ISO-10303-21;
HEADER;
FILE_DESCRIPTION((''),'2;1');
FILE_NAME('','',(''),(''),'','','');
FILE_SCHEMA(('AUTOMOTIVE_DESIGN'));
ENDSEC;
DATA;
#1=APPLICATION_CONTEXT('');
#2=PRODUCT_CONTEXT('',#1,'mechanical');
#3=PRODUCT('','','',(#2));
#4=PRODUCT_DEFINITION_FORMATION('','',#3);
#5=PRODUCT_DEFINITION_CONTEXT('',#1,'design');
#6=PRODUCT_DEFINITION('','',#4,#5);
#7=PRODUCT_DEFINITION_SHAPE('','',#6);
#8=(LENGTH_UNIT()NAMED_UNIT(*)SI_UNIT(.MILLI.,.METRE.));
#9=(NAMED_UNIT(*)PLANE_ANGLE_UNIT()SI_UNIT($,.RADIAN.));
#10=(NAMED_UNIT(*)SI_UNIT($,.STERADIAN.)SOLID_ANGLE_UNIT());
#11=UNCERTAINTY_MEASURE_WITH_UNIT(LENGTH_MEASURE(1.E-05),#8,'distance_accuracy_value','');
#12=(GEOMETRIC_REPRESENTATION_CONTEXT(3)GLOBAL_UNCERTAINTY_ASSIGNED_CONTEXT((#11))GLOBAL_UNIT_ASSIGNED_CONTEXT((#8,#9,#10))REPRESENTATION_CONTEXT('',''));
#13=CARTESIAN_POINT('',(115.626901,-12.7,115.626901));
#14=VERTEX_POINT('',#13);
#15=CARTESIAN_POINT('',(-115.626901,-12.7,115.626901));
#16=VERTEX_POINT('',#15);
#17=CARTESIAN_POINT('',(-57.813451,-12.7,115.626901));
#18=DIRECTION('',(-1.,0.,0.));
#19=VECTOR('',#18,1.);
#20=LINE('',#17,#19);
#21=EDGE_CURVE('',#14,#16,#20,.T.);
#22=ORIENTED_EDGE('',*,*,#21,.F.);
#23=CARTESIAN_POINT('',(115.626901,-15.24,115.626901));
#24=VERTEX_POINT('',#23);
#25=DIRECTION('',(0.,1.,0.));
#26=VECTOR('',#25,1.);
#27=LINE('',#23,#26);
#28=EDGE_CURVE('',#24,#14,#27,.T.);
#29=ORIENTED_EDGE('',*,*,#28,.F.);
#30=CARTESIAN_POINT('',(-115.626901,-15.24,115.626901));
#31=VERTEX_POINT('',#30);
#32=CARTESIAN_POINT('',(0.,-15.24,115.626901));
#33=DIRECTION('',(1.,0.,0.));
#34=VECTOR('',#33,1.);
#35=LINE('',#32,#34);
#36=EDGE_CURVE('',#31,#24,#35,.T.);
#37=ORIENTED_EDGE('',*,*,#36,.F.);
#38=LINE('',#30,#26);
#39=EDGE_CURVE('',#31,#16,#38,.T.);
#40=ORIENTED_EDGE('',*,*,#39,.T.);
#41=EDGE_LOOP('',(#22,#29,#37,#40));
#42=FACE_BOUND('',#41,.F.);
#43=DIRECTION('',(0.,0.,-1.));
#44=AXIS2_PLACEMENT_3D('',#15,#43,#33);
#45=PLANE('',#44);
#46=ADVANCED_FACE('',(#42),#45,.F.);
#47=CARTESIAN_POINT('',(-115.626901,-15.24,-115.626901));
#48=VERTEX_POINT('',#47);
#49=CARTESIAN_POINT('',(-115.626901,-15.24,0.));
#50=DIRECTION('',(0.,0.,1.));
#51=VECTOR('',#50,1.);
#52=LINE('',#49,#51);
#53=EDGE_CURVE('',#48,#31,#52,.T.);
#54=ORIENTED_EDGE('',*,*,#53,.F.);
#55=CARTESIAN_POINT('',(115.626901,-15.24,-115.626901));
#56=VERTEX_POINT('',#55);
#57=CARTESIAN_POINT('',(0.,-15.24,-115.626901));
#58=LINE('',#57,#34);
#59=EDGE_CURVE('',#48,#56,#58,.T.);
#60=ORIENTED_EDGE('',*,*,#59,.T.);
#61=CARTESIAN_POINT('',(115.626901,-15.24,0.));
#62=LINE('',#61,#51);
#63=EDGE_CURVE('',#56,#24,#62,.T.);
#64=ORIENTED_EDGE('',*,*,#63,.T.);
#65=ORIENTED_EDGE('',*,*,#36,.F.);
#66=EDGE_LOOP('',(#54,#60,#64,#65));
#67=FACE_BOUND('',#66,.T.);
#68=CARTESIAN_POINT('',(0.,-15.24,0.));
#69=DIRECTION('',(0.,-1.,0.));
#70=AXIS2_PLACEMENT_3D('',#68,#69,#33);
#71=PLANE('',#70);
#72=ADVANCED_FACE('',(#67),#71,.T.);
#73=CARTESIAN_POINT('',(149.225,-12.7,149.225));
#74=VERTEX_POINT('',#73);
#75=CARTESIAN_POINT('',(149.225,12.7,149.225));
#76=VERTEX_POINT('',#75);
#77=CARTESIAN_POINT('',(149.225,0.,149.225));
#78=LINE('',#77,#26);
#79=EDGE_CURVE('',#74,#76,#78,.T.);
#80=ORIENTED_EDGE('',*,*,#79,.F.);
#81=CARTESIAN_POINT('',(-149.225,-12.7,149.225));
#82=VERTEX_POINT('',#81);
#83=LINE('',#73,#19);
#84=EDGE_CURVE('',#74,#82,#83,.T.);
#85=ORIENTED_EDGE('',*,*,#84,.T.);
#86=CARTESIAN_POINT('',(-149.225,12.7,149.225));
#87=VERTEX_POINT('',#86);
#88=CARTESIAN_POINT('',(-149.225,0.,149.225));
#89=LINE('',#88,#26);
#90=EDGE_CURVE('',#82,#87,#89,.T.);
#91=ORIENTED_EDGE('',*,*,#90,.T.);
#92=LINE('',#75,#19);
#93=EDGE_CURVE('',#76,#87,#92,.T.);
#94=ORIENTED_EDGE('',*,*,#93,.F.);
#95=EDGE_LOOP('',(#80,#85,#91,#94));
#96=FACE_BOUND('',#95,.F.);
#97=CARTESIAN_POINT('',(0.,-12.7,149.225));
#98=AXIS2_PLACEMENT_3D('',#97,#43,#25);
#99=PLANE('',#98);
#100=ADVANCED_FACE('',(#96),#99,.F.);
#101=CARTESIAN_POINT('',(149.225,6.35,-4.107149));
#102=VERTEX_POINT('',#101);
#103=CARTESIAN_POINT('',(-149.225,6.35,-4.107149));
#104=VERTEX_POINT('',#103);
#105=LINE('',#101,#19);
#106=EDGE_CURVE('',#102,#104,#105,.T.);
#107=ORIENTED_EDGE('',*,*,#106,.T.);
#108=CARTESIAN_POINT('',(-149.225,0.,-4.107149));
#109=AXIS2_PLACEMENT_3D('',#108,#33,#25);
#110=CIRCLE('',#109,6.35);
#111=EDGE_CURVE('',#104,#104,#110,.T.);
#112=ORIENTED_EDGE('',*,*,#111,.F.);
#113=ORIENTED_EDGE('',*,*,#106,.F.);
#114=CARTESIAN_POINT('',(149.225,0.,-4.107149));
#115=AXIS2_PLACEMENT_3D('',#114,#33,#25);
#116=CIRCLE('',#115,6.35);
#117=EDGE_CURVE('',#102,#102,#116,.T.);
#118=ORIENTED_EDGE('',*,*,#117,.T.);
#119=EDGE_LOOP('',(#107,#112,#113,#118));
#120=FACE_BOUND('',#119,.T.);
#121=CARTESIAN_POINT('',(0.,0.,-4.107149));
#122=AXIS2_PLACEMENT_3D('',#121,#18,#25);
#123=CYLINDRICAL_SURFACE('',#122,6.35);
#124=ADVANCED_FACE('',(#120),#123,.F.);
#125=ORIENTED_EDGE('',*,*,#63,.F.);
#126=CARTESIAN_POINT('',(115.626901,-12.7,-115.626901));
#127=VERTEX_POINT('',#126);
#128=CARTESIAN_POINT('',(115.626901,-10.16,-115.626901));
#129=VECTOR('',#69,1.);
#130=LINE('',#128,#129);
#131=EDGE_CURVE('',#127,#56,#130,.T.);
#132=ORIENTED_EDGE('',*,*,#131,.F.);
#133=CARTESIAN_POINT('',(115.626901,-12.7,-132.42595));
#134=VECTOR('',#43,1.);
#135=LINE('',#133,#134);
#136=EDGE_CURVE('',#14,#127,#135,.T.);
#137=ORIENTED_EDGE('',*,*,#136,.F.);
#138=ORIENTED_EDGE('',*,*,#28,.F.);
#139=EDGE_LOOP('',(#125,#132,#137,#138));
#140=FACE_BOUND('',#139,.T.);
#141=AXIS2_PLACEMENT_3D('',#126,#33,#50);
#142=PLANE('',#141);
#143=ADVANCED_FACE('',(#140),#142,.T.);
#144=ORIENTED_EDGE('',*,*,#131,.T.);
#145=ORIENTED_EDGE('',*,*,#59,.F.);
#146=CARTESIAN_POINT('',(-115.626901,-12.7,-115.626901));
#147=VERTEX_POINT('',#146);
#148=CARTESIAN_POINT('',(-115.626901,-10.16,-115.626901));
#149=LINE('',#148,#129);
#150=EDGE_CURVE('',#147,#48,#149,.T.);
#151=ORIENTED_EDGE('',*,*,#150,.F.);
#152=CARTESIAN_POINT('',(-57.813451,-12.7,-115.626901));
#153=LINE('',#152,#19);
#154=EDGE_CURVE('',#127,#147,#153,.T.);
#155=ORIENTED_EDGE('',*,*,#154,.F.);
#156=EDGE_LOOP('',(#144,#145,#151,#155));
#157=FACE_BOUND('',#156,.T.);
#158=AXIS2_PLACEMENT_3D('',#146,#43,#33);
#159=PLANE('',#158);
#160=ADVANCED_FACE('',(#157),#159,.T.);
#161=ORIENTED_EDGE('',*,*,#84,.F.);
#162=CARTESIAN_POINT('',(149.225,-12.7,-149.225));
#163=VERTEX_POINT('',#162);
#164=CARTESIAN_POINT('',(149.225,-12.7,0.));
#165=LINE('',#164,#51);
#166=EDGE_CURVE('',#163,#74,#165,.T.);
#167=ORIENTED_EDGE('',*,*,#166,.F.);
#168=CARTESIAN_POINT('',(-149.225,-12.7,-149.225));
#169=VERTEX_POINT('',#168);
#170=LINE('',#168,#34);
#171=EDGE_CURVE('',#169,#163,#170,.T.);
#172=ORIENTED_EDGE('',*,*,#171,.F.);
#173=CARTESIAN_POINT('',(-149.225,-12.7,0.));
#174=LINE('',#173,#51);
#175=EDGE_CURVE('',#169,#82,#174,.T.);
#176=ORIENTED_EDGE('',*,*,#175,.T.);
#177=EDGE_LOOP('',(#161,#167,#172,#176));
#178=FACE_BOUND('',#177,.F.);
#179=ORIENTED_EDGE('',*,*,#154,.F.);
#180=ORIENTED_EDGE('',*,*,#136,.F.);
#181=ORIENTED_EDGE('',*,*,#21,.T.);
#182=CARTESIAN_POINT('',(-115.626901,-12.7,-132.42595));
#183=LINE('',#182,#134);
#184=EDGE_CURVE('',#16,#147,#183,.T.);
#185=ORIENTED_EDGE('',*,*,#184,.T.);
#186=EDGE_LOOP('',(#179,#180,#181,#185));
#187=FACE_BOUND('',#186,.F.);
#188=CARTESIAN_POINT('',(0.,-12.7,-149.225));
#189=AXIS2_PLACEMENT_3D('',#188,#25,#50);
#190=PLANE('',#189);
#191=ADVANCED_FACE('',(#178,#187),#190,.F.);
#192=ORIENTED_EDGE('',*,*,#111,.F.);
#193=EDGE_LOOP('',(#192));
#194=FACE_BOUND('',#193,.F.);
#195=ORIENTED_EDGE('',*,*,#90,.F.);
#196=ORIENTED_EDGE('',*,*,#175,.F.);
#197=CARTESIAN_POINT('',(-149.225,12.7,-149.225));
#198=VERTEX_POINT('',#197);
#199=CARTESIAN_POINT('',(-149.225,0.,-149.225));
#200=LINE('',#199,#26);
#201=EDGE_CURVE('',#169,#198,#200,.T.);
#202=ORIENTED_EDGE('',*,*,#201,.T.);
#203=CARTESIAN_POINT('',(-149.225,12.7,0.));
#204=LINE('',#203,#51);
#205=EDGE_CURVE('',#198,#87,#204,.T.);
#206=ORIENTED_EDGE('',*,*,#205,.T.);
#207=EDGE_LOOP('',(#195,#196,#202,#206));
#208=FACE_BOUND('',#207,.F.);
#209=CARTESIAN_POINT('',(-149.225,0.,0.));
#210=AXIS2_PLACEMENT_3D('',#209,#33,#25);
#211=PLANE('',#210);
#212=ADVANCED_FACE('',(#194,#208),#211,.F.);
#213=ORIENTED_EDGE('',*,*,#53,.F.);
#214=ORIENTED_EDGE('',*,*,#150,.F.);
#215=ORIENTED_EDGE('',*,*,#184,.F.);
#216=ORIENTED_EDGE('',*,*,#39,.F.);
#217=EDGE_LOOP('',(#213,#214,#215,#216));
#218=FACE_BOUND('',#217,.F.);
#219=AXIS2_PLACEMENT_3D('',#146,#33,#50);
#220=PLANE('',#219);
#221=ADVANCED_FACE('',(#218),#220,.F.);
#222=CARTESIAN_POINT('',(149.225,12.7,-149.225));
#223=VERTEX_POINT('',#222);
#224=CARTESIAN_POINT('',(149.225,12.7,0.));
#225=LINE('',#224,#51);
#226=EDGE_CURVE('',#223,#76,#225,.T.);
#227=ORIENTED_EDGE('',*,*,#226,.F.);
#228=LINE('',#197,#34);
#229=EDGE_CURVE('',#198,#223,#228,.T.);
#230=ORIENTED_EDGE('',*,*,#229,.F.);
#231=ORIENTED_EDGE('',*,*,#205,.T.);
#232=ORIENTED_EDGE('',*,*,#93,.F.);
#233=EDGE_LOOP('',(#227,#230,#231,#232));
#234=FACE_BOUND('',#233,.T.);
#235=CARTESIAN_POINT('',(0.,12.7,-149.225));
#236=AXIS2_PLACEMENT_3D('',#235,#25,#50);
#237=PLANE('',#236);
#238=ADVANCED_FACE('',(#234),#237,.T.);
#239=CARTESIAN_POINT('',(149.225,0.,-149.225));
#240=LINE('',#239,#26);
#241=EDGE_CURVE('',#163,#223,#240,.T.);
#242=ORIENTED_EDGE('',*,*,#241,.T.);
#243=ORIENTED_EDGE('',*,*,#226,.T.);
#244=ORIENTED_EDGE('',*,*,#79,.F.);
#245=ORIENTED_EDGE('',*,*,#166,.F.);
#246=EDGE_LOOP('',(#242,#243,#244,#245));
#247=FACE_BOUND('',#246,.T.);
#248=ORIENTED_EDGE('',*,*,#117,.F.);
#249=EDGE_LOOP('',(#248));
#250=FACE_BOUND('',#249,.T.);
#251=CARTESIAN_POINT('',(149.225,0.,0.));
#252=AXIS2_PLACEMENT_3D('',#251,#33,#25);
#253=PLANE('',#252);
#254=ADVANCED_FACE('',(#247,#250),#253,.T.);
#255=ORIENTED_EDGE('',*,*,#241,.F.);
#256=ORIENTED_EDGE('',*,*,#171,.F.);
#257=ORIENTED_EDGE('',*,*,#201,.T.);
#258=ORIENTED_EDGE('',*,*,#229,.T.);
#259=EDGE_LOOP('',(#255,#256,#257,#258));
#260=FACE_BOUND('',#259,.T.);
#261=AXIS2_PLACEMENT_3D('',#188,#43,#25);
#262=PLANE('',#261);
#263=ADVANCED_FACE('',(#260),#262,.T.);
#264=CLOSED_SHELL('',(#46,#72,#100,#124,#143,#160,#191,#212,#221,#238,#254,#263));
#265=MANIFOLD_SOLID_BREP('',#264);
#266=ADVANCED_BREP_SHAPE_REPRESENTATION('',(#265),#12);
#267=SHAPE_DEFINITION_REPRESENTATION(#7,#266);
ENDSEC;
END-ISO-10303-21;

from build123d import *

# Parameters (mm, degrees)
F0_W     = 25.4
F0_H     = 298.45
F0_R     = 6.35
F1_DEPTH = 149.225
F2_W     = 231.253802
F2_H     = 231.253802
F3_DEPTH = 2.54


with BuildPart() as f1:
    # F0 (on Right) → F1 (new body, symmetric)
    with BuildSketch(Plane.YZ):
        Rectangle(F0_W, F0_H)
        with Locations((0, -4.107149)):
            Circle(F0_R, mode=Mode.SUBTRACT)
    extrude(amount=F1_DEPTH, both=True)

    # F2 (on face) → F3 (join, symmetric)
    with BuildSketch(Plane.XZ.offset(12.7)):
        Rectangle(F2_W, F2_H)
    extrude(amount=F3_DEPTH, both=True)


solid = f1.part
